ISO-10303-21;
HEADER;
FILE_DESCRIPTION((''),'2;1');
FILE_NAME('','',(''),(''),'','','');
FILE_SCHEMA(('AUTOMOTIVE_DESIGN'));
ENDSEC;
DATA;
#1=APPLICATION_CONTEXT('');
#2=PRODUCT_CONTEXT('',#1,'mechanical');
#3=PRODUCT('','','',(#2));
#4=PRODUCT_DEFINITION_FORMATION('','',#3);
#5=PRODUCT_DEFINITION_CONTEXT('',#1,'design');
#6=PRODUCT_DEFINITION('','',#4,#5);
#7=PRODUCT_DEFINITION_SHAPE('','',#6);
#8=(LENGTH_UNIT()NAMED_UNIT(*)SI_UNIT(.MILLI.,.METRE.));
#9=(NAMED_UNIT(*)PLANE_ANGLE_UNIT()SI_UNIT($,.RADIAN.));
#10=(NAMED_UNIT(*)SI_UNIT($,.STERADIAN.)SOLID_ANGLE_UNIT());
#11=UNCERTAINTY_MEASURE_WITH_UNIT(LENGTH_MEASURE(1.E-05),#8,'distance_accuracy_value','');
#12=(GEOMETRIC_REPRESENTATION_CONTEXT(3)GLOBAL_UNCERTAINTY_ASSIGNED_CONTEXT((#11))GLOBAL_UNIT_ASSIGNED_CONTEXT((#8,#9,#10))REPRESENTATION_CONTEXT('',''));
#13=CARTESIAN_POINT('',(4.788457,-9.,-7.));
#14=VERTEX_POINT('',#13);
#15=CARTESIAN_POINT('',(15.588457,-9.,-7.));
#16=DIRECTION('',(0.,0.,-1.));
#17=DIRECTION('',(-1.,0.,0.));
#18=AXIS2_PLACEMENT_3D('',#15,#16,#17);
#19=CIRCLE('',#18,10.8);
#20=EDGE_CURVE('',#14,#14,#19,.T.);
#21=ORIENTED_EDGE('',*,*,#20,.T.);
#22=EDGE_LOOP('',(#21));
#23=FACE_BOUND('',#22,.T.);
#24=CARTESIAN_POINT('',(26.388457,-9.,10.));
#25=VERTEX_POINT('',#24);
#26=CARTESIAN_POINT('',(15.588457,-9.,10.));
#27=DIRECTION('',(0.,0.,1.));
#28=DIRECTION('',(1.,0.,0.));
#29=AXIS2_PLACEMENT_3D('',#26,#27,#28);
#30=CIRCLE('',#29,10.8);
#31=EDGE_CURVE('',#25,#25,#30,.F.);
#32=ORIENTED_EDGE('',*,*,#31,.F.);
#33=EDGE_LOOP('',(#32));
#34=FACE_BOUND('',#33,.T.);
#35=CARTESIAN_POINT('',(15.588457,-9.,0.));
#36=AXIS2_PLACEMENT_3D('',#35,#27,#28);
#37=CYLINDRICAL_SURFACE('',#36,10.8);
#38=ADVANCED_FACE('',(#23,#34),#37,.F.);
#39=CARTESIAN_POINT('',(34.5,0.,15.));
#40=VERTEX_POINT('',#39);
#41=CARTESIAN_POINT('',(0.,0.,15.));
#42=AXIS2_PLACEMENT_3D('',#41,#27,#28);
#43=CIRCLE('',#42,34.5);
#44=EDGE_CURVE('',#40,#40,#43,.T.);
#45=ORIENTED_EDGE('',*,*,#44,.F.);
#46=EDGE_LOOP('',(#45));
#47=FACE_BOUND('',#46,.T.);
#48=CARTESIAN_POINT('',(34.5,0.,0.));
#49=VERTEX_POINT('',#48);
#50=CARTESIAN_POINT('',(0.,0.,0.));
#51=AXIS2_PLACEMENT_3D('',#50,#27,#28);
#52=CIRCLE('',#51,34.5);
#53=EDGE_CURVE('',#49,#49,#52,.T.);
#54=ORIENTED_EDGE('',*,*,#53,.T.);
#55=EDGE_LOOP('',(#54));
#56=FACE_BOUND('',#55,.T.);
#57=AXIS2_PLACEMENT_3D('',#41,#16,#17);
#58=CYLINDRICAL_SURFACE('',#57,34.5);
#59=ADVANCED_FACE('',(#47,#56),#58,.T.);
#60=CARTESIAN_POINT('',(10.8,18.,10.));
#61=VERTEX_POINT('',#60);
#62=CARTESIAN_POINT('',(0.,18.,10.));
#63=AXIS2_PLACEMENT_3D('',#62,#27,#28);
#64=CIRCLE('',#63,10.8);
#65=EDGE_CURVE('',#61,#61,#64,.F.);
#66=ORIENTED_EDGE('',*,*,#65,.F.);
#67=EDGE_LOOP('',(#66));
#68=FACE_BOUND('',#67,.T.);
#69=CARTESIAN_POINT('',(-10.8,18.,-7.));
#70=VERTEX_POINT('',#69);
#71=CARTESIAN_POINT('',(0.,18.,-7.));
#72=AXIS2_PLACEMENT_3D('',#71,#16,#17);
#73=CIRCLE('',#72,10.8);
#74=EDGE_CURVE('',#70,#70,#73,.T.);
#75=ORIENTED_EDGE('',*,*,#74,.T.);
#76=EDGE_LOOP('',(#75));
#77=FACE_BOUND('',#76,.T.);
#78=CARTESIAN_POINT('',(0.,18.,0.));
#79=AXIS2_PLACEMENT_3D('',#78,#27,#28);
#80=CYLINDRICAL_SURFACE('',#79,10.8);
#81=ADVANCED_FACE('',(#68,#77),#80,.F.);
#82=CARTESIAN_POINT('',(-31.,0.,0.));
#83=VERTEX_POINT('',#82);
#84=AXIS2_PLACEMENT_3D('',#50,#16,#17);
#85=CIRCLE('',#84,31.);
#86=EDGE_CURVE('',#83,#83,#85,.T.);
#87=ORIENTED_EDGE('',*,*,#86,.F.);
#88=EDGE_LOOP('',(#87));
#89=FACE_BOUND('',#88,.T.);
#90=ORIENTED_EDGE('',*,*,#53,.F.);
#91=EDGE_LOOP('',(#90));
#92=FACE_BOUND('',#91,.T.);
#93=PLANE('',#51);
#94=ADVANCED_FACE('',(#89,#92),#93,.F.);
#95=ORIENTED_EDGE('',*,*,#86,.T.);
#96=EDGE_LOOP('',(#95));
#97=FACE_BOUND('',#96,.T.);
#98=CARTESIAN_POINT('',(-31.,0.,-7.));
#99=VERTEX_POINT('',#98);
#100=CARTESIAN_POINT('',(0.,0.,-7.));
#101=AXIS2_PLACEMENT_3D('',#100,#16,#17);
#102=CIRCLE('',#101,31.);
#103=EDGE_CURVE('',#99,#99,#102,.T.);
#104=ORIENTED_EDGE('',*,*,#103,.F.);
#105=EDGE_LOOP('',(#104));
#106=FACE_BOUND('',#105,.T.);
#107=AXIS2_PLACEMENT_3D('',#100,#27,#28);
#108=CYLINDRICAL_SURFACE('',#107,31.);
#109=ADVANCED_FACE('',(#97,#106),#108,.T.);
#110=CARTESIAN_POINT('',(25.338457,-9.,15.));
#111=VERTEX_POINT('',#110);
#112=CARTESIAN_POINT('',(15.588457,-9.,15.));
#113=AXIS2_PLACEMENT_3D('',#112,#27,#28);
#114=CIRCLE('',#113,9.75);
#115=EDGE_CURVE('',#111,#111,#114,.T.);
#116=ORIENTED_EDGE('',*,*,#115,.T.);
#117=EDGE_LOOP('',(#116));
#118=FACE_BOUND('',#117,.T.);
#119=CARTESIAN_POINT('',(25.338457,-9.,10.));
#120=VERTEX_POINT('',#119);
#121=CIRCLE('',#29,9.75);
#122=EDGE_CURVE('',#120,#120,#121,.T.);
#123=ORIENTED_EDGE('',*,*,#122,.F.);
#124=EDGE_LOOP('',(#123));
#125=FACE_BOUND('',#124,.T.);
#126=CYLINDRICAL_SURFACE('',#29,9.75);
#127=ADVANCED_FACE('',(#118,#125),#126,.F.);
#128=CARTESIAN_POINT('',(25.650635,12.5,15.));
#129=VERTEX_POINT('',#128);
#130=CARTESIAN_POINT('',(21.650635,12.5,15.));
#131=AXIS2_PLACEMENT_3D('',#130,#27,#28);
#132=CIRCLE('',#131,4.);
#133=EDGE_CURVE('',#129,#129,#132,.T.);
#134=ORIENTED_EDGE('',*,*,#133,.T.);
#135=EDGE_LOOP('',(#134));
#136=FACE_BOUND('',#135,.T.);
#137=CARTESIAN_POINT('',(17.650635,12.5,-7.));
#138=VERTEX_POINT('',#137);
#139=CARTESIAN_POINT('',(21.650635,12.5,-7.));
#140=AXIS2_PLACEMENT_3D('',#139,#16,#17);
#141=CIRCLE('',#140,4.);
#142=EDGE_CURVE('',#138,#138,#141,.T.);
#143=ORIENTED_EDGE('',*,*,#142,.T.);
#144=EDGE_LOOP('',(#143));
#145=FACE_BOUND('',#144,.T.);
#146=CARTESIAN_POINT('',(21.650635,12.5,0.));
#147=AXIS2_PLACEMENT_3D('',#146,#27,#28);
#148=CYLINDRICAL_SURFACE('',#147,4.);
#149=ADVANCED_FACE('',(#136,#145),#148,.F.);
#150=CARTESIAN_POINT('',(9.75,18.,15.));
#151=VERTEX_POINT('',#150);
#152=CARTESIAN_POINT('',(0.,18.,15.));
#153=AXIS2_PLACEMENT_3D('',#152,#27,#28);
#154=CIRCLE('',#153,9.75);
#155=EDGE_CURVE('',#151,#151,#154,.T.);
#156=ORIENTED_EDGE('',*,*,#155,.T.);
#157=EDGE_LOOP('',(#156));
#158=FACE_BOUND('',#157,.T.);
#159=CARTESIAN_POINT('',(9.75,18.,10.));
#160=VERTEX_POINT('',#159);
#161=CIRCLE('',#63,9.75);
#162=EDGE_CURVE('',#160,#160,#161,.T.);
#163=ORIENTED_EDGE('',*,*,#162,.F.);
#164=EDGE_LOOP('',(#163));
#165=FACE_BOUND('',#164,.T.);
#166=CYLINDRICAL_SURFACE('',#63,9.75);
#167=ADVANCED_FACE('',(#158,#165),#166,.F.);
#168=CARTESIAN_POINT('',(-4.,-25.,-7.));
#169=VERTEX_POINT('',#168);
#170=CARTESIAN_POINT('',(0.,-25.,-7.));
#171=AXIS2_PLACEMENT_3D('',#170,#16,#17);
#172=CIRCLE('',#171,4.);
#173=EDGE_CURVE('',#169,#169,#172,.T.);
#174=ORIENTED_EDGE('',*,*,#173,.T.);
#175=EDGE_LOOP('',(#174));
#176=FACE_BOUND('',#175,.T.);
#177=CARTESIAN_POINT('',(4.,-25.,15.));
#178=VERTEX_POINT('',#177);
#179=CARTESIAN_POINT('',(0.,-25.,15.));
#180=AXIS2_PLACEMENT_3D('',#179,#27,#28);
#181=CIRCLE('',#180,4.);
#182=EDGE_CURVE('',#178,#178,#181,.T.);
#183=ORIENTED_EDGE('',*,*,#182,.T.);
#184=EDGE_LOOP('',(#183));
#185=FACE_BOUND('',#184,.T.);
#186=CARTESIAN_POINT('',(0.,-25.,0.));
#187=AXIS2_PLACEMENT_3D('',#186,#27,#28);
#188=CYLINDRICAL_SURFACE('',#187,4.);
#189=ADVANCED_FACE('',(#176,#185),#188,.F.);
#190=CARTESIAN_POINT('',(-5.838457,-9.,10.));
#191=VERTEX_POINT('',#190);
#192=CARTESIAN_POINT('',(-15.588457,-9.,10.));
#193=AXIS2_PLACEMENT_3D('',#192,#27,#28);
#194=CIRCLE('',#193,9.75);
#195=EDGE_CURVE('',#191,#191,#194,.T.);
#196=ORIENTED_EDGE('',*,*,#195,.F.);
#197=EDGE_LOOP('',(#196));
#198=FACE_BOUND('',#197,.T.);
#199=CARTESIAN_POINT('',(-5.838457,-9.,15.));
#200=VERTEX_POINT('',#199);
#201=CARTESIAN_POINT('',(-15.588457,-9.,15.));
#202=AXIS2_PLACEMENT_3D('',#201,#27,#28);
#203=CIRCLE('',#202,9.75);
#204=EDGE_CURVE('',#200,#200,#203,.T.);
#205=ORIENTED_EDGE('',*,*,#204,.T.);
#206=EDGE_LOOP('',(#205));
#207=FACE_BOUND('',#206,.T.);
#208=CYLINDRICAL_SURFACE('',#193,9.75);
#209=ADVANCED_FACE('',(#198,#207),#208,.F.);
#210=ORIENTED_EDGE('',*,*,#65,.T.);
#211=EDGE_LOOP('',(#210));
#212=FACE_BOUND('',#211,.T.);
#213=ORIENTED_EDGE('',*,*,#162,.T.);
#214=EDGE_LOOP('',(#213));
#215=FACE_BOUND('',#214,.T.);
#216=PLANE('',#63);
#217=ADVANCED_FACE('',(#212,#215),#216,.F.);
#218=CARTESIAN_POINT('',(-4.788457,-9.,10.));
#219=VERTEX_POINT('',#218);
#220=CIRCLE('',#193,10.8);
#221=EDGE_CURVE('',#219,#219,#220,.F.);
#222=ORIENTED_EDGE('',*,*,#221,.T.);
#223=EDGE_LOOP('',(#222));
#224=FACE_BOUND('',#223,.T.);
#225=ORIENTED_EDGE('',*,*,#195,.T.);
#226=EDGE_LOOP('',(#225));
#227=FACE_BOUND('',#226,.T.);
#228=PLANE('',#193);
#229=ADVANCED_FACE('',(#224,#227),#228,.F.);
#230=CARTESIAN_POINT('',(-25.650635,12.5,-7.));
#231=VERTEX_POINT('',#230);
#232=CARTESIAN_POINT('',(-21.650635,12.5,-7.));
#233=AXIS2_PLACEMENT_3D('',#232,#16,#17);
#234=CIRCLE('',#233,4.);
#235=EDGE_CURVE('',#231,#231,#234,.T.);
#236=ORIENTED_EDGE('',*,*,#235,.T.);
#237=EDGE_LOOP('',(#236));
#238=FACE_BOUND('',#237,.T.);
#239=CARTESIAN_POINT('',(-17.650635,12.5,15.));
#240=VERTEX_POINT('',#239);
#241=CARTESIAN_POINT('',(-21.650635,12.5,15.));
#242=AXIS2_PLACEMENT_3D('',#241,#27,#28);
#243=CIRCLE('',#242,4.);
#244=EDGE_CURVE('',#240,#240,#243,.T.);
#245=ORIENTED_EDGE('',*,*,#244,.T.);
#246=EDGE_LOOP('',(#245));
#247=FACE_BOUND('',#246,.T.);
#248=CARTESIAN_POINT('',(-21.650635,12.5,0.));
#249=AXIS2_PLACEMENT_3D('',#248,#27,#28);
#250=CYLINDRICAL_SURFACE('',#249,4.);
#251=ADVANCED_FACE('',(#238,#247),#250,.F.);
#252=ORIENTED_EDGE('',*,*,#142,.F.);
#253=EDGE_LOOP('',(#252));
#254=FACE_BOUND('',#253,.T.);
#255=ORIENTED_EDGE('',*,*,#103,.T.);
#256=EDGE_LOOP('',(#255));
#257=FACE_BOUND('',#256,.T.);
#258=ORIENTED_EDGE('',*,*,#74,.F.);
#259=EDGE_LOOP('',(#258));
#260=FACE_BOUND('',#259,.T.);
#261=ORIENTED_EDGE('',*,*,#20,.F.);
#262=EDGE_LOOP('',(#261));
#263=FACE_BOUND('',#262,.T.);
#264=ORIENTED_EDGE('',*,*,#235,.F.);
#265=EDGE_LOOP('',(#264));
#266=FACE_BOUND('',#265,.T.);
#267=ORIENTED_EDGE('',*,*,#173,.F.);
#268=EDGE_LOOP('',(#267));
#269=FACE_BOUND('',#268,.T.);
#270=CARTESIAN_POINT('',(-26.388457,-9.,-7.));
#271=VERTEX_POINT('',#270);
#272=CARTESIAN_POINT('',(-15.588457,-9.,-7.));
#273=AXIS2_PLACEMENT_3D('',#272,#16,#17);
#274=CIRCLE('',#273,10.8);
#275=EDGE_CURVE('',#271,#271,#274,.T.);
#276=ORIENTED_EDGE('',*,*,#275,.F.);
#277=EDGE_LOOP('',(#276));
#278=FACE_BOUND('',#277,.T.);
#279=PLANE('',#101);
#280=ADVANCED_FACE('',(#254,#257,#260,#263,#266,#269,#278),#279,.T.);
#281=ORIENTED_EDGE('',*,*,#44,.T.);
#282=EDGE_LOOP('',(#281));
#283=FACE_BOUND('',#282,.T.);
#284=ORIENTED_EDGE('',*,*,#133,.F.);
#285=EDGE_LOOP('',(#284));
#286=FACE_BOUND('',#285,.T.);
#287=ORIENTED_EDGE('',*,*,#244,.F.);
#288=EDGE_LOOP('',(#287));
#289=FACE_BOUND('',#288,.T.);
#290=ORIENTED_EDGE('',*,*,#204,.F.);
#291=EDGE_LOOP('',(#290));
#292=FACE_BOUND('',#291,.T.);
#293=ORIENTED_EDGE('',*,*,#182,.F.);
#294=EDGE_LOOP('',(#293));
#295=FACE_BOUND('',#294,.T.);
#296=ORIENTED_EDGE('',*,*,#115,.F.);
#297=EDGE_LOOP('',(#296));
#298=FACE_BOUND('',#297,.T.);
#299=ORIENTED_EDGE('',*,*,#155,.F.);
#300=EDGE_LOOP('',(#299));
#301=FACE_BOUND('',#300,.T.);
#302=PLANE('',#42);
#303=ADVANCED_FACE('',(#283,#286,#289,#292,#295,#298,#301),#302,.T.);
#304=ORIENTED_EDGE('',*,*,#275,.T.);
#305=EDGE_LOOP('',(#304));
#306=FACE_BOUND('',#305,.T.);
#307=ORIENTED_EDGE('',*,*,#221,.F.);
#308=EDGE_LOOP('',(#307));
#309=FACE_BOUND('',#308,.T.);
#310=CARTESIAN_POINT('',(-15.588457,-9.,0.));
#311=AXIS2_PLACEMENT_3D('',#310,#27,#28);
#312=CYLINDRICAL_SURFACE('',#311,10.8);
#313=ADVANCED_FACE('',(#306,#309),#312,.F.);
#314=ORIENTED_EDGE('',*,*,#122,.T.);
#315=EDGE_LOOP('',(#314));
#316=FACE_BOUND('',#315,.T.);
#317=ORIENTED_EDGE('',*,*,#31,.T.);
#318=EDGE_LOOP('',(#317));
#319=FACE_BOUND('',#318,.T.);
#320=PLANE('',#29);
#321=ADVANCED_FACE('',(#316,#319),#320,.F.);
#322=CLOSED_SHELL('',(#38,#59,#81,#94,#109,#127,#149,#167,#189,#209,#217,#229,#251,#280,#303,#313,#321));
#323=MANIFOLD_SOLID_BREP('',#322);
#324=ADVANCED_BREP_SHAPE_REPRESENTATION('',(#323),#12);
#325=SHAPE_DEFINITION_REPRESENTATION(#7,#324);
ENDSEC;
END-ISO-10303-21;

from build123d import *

# Parameters (mm, degrees)
ESQUISSE1_R             = 34.5
BOSS_EXTRU_1_DEPTH      = 15
ESQUISSE2_R             = 10.8
ENL_V_MAT_EXTRU_1_DEPTH = 15
ESQUISSE3_R             = 11
ESQUISSE3_R_2           = 9.75
BOSS_EXTRU_2_DEPTH      = 5
ESQUISSE4_R             = 4
ENL_V_MAT_EXTRU_2_DEPTH = 52.044098582
ESQUISSE6_R             = 31
ESQUISSE6_R_2           = 4
ESQUISSE6_R_3           = 10.8
BOSS_EXTRU_5_DEPTH      = 7


with BuildPart() as part:
    # Esquisse1 → Boss.-Extru.1 (new body)
    with BuildSketch(Plane.XY):
        Circle(ESQUISSE1_R)
    extrude(amount=BOSS_EXTRU_1_DEPTH)

    # Esquisse2 → Enlèv. mat.-Extru.1 (cut)
    with BuildSketch(Plane.XY.offset(15)):
        with Locations((0, 18)):
            Circle(ESQUISSE2_R)
        with Locations((15.588457268, -9)):
            Circle(ESQUISSE2_R)
        with Locations((-15.588457268, -9)):
            Circle(ESQUISSE2_R)
    extrude(amount=-ENL_V_MAT_EXTRU_1_DEPTH, mode=Mode.SUBTRACT)

    # Esquisse3 → Boss.-Extru.2 (add)
    # profile 1 of 3: a face of its own
    with BuildSketch(Plane.XY.offset(15)):
        with Locations((0, 18)):
            Circle(ESQUISSE3_R)
        with Locations((0, 18)):
            Circle(ESQUISSE3_R_2, mode=Mode.SUBTRACT)
    # profile 2 of 3: a face of its own
    with BuildSketch(Plane.XY.offset(15)):
        with Locations((15.588457268, -9)):
            Circle(ESQUISSE3_R)
        with Locations((15.588457268, -9)):
            Circle(ESQUISSE3_R_2, mode=Mode.SUBTRACT)
    # profile 3 of 3: a face of its own
    with BuildSketch(Plane.XY.offset(15)):
        with Locations((-15.588457268, -9)):
            Circle(ESQUISSE3_R)
        with Locations((-15.588457268, -9)):
            Circle(ESQUISSE3_R_2, mode=Mode.SUBTRACT)
    extrude(amount=-BOSS_EXTRU_2_DEPTH)

    # Esquisse4 → Enlèv. mat.-Extru.2 (cut, through all)
    with BuildSketch(Plane.XY.offset(15)):
        with Locations((21.650635095, 12.5)):
            Circle(ESQUISSE4_R)
        with Locations((-21.650635095, 12.5)):
            Circle(ESQUISSE4_R)
        with Locations((0, -25)):
            Circle(ESQUISSE4_R)
    extrude(amount=-ENL_V_MAT_EXTRU_2_DEPTH, mode=Mode.SUBTRACT)

    # Esquisse6 → Boss.-Extru.5 (add)
    with BuildSketch(Plane(origin=(0, 0, 0), x_dir=(-1, 0, 0), z_dir=(0, 0, -1))):
        Circle(ESQUISSE6_R)
        with Locations(Location((0, -25, 0), (0, 0, 180))):
            Circle(ESQUISSE6_R_2, mode=Mode.SUBTRACT)
        with Locations(Location((-15.588457268, -9, 0), (0, 0, 180))):
            Circle(ESQUISSE6_R_3, mode=Mode.SUBTRACT)
        with Locations(Location((0, 18, 0), (0, 0, 180))):
            Circle(ESQUISSE6_R_3, mode=Mode.SUBTRACT)
        with Locations(Location((15.588457268, -9, 0), (0, 0, 180))):
            Circle(ESQUISSE6_R_3, mode=Mode.SUBTRACT)
        with Locations(Location((21.650635095, 12.5, 0), (0, 0, 180))):
            Circle(ESQUISSE6_R_2, mode=Mode.SUBTRACT)
        with Locations(Location((-21.650635095, 12.5, 0), (0, 0, 180))):
            Circle(ESQUISSE6_R_2, mode=Mode.SUBTRACT)
    extrude(amount=BOSS_EXTRU_5_DEPTH)


solid = part.part
